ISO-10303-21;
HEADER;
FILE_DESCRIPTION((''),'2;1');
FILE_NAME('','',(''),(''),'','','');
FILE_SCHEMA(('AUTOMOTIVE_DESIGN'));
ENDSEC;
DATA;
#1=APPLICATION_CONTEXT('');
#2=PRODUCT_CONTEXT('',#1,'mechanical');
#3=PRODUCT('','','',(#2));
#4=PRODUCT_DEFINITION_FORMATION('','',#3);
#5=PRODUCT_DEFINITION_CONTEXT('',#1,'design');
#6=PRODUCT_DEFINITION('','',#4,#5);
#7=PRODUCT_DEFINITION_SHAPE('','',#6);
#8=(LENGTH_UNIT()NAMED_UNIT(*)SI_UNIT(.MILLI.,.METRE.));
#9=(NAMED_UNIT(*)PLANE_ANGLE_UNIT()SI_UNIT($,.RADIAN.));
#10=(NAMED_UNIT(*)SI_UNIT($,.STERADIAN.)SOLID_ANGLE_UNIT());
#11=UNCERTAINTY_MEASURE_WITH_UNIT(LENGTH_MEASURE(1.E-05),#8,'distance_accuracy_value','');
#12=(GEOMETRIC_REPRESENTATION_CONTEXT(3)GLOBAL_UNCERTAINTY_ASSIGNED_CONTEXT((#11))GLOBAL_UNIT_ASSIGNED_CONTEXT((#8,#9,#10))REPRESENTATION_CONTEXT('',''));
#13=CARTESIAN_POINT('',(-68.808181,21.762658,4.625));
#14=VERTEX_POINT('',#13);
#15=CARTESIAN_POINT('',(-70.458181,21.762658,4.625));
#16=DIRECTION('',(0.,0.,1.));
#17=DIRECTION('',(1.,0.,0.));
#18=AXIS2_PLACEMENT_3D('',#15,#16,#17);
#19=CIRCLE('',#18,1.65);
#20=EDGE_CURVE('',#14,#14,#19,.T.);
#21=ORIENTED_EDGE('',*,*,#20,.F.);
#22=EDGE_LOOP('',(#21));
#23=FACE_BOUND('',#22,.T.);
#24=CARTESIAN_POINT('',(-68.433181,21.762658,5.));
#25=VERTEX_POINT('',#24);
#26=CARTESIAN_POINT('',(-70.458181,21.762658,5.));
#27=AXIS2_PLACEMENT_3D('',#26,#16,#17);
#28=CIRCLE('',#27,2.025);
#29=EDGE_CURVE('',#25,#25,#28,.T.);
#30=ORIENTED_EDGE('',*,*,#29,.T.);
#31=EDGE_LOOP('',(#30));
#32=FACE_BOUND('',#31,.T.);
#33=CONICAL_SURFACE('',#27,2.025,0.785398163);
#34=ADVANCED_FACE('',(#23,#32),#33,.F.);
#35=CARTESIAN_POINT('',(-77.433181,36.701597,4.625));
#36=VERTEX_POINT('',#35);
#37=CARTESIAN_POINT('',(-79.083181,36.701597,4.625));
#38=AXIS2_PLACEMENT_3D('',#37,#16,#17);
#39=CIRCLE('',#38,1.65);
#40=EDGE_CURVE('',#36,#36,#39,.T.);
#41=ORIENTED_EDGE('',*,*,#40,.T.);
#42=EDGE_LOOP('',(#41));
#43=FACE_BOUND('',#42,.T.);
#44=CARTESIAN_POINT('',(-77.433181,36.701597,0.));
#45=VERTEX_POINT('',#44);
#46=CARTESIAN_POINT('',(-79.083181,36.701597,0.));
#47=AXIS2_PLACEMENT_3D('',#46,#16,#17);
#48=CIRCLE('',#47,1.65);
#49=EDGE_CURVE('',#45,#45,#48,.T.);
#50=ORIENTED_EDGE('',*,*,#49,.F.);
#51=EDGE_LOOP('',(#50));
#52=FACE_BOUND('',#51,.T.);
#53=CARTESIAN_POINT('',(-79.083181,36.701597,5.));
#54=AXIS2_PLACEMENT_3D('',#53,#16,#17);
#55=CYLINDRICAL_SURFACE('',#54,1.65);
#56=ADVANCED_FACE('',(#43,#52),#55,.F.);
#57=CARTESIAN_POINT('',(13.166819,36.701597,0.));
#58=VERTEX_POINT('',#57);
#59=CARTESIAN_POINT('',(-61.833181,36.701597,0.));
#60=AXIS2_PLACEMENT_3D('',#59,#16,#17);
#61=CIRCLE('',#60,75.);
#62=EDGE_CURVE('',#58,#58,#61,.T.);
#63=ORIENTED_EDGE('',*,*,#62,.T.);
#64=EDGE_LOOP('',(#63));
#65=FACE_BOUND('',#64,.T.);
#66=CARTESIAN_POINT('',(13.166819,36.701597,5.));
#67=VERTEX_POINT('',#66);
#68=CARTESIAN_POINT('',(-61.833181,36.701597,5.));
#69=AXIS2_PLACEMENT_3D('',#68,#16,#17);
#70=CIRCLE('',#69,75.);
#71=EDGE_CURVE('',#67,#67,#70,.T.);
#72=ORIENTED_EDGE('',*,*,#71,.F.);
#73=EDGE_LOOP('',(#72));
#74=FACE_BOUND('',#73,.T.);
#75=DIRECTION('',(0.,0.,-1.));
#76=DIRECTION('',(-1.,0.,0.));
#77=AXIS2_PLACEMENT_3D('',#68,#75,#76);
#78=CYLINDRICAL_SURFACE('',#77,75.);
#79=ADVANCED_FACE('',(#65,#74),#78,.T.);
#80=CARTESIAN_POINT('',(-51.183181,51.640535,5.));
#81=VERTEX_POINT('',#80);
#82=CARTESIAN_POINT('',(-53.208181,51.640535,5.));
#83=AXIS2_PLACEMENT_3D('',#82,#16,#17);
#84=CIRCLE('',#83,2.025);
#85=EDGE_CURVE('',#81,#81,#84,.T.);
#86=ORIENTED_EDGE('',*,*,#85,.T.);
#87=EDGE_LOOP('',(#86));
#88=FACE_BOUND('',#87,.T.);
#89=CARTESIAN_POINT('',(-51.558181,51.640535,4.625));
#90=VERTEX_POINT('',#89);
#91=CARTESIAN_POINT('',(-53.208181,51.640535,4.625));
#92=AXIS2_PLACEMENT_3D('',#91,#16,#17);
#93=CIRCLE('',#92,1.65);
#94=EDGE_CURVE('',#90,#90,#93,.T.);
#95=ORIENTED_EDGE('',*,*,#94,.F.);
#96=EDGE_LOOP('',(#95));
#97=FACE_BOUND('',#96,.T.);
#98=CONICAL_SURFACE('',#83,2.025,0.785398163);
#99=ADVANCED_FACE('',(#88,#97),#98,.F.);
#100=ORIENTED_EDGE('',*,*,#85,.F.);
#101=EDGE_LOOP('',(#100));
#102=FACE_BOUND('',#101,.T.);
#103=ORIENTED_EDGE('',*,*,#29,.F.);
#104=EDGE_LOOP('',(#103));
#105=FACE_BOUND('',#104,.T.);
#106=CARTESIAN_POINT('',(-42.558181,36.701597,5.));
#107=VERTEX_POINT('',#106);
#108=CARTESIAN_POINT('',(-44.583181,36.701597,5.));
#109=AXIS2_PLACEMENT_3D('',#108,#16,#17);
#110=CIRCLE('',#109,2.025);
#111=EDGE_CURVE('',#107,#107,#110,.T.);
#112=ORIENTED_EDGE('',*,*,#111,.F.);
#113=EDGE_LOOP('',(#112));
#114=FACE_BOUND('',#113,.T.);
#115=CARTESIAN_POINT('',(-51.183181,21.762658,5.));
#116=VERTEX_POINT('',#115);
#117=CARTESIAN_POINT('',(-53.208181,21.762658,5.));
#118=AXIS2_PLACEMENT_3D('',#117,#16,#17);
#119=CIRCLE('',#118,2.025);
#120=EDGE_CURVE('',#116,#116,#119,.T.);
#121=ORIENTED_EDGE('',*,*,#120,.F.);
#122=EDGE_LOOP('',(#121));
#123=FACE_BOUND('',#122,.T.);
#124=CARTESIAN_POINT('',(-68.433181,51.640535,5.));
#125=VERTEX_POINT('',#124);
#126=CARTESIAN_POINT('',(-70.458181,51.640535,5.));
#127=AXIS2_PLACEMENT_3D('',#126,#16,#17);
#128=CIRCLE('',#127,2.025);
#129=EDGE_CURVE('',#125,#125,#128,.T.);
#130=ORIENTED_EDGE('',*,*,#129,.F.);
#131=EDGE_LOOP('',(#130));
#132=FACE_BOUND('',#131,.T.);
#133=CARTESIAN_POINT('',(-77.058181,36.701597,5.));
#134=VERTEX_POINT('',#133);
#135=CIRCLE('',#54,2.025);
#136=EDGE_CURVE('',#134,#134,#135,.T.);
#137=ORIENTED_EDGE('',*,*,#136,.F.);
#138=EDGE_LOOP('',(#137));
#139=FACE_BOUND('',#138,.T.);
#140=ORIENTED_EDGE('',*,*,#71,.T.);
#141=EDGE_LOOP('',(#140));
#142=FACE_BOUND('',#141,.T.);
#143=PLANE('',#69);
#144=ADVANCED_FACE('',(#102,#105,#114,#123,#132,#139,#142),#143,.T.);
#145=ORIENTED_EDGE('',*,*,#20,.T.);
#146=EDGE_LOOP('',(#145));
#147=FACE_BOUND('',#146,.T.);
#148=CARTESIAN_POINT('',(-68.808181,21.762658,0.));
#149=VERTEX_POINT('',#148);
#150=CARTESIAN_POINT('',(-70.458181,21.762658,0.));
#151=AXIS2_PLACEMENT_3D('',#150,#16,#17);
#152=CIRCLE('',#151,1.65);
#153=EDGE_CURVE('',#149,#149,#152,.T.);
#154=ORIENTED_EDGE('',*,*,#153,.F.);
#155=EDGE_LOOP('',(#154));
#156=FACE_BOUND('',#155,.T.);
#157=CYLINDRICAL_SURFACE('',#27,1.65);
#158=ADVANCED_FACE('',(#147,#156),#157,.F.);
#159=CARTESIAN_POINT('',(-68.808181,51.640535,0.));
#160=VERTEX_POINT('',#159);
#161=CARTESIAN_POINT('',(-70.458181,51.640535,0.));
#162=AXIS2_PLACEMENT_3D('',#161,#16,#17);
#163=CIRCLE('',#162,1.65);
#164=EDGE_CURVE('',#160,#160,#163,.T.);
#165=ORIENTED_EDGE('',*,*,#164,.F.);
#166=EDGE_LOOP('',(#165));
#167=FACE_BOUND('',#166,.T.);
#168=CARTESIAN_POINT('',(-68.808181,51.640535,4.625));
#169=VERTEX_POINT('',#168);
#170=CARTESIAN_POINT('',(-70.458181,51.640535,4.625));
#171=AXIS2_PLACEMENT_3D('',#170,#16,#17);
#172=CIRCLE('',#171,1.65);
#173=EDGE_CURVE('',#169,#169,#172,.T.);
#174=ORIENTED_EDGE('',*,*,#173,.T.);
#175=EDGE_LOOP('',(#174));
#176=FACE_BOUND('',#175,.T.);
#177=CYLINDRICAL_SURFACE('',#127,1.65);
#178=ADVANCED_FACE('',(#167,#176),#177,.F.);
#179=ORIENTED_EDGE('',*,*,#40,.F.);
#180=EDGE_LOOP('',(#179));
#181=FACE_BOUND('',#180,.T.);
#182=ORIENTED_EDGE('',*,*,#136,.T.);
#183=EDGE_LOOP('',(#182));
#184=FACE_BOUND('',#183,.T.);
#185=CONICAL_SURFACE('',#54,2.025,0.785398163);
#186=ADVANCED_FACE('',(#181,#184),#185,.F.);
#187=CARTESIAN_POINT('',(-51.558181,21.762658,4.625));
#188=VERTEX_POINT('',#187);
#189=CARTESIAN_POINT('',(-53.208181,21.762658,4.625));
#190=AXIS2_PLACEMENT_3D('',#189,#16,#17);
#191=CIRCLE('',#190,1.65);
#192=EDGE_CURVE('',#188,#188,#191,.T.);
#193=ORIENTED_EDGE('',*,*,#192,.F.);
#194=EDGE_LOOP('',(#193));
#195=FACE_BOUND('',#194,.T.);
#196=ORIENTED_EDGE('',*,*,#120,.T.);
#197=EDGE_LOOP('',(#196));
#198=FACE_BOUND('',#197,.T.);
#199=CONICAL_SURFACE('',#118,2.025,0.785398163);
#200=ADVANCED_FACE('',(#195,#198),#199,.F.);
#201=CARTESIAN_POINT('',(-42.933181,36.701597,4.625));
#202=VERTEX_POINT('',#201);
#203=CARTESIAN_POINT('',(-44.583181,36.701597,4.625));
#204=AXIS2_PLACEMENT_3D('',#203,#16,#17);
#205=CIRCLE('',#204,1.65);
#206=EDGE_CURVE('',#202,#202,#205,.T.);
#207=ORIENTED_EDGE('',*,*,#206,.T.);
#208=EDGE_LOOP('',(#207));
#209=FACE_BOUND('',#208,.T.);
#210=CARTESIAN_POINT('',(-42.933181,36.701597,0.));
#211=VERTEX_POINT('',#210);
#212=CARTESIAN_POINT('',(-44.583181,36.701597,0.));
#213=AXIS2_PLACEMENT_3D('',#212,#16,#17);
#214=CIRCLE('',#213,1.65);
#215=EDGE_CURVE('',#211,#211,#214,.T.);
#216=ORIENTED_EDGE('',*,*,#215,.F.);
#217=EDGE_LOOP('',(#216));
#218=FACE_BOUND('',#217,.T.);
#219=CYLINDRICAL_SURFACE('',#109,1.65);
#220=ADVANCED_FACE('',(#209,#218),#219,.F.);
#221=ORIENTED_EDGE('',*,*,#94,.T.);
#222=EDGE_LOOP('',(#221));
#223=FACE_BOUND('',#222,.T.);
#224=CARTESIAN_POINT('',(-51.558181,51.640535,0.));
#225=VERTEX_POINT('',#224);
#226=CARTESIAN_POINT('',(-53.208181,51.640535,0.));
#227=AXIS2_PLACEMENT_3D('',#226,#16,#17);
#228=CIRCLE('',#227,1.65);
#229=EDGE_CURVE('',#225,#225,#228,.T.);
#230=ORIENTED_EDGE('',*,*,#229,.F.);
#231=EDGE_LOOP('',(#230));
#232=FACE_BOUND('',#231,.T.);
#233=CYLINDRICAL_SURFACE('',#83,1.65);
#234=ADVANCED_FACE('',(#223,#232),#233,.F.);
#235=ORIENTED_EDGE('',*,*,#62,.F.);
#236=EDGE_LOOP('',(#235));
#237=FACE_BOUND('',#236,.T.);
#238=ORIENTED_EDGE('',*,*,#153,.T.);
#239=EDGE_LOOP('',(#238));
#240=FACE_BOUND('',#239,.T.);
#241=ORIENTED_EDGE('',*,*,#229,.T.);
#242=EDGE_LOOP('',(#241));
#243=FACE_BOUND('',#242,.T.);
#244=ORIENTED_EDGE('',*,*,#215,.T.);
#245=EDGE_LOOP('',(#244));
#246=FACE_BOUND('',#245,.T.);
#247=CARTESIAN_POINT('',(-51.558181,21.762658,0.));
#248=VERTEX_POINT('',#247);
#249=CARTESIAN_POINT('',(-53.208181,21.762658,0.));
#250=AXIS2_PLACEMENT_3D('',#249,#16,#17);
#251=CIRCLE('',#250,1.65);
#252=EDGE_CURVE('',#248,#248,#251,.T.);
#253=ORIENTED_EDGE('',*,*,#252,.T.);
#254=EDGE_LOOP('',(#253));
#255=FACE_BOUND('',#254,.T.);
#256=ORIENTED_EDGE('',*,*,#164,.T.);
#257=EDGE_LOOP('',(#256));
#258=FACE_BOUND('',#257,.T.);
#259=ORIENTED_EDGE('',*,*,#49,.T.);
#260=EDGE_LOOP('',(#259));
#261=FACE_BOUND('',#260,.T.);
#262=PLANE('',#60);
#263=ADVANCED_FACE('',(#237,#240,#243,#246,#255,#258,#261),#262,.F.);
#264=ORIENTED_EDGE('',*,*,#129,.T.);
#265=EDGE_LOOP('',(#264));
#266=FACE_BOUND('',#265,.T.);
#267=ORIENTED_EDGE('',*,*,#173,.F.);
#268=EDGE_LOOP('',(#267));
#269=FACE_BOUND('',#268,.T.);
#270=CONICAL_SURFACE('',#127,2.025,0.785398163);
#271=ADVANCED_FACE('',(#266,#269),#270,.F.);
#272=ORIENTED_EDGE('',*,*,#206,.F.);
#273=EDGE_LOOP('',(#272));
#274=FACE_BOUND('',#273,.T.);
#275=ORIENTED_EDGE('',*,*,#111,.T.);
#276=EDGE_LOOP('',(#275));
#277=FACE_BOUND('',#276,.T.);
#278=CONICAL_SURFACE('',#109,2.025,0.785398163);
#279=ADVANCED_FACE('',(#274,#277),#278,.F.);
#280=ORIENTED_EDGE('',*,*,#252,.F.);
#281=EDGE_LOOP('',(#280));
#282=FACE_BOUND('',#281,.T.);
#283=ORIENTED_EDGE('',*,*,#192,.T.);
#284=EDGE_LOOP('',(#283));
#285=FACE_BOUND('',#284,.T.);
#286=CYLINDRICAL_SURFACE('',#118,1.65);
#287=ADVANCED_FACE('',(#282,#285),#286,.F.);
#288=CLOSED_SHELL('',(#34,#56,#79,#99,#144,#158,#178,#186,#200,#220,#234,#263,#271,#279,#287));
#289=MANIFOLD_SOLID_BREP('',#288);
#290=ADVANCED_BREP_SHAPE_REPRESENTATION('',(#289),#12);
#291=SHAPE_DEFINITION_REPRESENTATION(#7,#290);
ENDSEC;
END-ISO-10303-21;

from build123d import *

# Parameters (mm, degrees)
SKETCH_1_R                   = 75
SKETCH_1_R_2                 = 17.25
EXTRUDE_1_DEPTH              = 5
EXTRUDE_START                = -5
SKETCH_2_R                   = 17.25
EXTRUDE_2_DEPTH              = 5
HOLE_WIZARD_M4_5_D           = 3.3
HOLE_WIZARD_M4_5_CSINK_D     = 4.05
HOLE_WIZARD_M4_5_CSINK_ANGLE = 90
PATTERN_CIRCULAR_1_COUNT     = 6


with BuildPart() as part:
    # 草图1 → 凸台-拉伸1 (new body)
    with BuildSketch(Plane.XY):
        with Locations((-61.833180774, 36.701596564)):
            Circle(SKETCH_1_R)
        with Locations((-61.833180774, 36.701596564)):
            Circle(SKETCH_1_R_2, mode=Mode.SUBTRACT)
    extrude(amount=EXTRUDE_1_DEPTH)

    # 草图2 → 凸台-拉伸2 (add)
    with BuildSketch(Plane.XY.offset(5).offset(EXTRUDE_START)):
        with Locations((-61.833180774, 36.701596564)):
            Circle(SKETCH_2_R)
    extrude(amount=EXTRUDE_2_DEPTH)

    # M4 螺纹孔5 (through all)
    with Locations(Plane.XY.offset(5)):
        with Locations((-79.083180774, 36.701596564)):
            hole_wizard_m4_5 = CounterSinkHole(HOLE_WIZARD_M4_5_D / 2, HOLE_WIZARD_M4_5_CSINK_D / 2, counter_sink_angle=HOLE_WIZARD_M4_5_CSINK_ANGLE)

    # 阵列(圆周)1: M4 螺纹孔5 ×6 about axis
    pattern_circular_1_axis = Axis((-61.833180774, 36.701596564, 0), (0, 0, 1))
    for i in range(1, PATTERN_CIRCULAR_1_COUNT):
        add(hole_wizard_m4_5.rotate(pattern_circular_1_axis, i * 360 / PATTERN_CIRCULAR_1_COUNT), mode=Mode.SUBTRACT)


solid = part.part
